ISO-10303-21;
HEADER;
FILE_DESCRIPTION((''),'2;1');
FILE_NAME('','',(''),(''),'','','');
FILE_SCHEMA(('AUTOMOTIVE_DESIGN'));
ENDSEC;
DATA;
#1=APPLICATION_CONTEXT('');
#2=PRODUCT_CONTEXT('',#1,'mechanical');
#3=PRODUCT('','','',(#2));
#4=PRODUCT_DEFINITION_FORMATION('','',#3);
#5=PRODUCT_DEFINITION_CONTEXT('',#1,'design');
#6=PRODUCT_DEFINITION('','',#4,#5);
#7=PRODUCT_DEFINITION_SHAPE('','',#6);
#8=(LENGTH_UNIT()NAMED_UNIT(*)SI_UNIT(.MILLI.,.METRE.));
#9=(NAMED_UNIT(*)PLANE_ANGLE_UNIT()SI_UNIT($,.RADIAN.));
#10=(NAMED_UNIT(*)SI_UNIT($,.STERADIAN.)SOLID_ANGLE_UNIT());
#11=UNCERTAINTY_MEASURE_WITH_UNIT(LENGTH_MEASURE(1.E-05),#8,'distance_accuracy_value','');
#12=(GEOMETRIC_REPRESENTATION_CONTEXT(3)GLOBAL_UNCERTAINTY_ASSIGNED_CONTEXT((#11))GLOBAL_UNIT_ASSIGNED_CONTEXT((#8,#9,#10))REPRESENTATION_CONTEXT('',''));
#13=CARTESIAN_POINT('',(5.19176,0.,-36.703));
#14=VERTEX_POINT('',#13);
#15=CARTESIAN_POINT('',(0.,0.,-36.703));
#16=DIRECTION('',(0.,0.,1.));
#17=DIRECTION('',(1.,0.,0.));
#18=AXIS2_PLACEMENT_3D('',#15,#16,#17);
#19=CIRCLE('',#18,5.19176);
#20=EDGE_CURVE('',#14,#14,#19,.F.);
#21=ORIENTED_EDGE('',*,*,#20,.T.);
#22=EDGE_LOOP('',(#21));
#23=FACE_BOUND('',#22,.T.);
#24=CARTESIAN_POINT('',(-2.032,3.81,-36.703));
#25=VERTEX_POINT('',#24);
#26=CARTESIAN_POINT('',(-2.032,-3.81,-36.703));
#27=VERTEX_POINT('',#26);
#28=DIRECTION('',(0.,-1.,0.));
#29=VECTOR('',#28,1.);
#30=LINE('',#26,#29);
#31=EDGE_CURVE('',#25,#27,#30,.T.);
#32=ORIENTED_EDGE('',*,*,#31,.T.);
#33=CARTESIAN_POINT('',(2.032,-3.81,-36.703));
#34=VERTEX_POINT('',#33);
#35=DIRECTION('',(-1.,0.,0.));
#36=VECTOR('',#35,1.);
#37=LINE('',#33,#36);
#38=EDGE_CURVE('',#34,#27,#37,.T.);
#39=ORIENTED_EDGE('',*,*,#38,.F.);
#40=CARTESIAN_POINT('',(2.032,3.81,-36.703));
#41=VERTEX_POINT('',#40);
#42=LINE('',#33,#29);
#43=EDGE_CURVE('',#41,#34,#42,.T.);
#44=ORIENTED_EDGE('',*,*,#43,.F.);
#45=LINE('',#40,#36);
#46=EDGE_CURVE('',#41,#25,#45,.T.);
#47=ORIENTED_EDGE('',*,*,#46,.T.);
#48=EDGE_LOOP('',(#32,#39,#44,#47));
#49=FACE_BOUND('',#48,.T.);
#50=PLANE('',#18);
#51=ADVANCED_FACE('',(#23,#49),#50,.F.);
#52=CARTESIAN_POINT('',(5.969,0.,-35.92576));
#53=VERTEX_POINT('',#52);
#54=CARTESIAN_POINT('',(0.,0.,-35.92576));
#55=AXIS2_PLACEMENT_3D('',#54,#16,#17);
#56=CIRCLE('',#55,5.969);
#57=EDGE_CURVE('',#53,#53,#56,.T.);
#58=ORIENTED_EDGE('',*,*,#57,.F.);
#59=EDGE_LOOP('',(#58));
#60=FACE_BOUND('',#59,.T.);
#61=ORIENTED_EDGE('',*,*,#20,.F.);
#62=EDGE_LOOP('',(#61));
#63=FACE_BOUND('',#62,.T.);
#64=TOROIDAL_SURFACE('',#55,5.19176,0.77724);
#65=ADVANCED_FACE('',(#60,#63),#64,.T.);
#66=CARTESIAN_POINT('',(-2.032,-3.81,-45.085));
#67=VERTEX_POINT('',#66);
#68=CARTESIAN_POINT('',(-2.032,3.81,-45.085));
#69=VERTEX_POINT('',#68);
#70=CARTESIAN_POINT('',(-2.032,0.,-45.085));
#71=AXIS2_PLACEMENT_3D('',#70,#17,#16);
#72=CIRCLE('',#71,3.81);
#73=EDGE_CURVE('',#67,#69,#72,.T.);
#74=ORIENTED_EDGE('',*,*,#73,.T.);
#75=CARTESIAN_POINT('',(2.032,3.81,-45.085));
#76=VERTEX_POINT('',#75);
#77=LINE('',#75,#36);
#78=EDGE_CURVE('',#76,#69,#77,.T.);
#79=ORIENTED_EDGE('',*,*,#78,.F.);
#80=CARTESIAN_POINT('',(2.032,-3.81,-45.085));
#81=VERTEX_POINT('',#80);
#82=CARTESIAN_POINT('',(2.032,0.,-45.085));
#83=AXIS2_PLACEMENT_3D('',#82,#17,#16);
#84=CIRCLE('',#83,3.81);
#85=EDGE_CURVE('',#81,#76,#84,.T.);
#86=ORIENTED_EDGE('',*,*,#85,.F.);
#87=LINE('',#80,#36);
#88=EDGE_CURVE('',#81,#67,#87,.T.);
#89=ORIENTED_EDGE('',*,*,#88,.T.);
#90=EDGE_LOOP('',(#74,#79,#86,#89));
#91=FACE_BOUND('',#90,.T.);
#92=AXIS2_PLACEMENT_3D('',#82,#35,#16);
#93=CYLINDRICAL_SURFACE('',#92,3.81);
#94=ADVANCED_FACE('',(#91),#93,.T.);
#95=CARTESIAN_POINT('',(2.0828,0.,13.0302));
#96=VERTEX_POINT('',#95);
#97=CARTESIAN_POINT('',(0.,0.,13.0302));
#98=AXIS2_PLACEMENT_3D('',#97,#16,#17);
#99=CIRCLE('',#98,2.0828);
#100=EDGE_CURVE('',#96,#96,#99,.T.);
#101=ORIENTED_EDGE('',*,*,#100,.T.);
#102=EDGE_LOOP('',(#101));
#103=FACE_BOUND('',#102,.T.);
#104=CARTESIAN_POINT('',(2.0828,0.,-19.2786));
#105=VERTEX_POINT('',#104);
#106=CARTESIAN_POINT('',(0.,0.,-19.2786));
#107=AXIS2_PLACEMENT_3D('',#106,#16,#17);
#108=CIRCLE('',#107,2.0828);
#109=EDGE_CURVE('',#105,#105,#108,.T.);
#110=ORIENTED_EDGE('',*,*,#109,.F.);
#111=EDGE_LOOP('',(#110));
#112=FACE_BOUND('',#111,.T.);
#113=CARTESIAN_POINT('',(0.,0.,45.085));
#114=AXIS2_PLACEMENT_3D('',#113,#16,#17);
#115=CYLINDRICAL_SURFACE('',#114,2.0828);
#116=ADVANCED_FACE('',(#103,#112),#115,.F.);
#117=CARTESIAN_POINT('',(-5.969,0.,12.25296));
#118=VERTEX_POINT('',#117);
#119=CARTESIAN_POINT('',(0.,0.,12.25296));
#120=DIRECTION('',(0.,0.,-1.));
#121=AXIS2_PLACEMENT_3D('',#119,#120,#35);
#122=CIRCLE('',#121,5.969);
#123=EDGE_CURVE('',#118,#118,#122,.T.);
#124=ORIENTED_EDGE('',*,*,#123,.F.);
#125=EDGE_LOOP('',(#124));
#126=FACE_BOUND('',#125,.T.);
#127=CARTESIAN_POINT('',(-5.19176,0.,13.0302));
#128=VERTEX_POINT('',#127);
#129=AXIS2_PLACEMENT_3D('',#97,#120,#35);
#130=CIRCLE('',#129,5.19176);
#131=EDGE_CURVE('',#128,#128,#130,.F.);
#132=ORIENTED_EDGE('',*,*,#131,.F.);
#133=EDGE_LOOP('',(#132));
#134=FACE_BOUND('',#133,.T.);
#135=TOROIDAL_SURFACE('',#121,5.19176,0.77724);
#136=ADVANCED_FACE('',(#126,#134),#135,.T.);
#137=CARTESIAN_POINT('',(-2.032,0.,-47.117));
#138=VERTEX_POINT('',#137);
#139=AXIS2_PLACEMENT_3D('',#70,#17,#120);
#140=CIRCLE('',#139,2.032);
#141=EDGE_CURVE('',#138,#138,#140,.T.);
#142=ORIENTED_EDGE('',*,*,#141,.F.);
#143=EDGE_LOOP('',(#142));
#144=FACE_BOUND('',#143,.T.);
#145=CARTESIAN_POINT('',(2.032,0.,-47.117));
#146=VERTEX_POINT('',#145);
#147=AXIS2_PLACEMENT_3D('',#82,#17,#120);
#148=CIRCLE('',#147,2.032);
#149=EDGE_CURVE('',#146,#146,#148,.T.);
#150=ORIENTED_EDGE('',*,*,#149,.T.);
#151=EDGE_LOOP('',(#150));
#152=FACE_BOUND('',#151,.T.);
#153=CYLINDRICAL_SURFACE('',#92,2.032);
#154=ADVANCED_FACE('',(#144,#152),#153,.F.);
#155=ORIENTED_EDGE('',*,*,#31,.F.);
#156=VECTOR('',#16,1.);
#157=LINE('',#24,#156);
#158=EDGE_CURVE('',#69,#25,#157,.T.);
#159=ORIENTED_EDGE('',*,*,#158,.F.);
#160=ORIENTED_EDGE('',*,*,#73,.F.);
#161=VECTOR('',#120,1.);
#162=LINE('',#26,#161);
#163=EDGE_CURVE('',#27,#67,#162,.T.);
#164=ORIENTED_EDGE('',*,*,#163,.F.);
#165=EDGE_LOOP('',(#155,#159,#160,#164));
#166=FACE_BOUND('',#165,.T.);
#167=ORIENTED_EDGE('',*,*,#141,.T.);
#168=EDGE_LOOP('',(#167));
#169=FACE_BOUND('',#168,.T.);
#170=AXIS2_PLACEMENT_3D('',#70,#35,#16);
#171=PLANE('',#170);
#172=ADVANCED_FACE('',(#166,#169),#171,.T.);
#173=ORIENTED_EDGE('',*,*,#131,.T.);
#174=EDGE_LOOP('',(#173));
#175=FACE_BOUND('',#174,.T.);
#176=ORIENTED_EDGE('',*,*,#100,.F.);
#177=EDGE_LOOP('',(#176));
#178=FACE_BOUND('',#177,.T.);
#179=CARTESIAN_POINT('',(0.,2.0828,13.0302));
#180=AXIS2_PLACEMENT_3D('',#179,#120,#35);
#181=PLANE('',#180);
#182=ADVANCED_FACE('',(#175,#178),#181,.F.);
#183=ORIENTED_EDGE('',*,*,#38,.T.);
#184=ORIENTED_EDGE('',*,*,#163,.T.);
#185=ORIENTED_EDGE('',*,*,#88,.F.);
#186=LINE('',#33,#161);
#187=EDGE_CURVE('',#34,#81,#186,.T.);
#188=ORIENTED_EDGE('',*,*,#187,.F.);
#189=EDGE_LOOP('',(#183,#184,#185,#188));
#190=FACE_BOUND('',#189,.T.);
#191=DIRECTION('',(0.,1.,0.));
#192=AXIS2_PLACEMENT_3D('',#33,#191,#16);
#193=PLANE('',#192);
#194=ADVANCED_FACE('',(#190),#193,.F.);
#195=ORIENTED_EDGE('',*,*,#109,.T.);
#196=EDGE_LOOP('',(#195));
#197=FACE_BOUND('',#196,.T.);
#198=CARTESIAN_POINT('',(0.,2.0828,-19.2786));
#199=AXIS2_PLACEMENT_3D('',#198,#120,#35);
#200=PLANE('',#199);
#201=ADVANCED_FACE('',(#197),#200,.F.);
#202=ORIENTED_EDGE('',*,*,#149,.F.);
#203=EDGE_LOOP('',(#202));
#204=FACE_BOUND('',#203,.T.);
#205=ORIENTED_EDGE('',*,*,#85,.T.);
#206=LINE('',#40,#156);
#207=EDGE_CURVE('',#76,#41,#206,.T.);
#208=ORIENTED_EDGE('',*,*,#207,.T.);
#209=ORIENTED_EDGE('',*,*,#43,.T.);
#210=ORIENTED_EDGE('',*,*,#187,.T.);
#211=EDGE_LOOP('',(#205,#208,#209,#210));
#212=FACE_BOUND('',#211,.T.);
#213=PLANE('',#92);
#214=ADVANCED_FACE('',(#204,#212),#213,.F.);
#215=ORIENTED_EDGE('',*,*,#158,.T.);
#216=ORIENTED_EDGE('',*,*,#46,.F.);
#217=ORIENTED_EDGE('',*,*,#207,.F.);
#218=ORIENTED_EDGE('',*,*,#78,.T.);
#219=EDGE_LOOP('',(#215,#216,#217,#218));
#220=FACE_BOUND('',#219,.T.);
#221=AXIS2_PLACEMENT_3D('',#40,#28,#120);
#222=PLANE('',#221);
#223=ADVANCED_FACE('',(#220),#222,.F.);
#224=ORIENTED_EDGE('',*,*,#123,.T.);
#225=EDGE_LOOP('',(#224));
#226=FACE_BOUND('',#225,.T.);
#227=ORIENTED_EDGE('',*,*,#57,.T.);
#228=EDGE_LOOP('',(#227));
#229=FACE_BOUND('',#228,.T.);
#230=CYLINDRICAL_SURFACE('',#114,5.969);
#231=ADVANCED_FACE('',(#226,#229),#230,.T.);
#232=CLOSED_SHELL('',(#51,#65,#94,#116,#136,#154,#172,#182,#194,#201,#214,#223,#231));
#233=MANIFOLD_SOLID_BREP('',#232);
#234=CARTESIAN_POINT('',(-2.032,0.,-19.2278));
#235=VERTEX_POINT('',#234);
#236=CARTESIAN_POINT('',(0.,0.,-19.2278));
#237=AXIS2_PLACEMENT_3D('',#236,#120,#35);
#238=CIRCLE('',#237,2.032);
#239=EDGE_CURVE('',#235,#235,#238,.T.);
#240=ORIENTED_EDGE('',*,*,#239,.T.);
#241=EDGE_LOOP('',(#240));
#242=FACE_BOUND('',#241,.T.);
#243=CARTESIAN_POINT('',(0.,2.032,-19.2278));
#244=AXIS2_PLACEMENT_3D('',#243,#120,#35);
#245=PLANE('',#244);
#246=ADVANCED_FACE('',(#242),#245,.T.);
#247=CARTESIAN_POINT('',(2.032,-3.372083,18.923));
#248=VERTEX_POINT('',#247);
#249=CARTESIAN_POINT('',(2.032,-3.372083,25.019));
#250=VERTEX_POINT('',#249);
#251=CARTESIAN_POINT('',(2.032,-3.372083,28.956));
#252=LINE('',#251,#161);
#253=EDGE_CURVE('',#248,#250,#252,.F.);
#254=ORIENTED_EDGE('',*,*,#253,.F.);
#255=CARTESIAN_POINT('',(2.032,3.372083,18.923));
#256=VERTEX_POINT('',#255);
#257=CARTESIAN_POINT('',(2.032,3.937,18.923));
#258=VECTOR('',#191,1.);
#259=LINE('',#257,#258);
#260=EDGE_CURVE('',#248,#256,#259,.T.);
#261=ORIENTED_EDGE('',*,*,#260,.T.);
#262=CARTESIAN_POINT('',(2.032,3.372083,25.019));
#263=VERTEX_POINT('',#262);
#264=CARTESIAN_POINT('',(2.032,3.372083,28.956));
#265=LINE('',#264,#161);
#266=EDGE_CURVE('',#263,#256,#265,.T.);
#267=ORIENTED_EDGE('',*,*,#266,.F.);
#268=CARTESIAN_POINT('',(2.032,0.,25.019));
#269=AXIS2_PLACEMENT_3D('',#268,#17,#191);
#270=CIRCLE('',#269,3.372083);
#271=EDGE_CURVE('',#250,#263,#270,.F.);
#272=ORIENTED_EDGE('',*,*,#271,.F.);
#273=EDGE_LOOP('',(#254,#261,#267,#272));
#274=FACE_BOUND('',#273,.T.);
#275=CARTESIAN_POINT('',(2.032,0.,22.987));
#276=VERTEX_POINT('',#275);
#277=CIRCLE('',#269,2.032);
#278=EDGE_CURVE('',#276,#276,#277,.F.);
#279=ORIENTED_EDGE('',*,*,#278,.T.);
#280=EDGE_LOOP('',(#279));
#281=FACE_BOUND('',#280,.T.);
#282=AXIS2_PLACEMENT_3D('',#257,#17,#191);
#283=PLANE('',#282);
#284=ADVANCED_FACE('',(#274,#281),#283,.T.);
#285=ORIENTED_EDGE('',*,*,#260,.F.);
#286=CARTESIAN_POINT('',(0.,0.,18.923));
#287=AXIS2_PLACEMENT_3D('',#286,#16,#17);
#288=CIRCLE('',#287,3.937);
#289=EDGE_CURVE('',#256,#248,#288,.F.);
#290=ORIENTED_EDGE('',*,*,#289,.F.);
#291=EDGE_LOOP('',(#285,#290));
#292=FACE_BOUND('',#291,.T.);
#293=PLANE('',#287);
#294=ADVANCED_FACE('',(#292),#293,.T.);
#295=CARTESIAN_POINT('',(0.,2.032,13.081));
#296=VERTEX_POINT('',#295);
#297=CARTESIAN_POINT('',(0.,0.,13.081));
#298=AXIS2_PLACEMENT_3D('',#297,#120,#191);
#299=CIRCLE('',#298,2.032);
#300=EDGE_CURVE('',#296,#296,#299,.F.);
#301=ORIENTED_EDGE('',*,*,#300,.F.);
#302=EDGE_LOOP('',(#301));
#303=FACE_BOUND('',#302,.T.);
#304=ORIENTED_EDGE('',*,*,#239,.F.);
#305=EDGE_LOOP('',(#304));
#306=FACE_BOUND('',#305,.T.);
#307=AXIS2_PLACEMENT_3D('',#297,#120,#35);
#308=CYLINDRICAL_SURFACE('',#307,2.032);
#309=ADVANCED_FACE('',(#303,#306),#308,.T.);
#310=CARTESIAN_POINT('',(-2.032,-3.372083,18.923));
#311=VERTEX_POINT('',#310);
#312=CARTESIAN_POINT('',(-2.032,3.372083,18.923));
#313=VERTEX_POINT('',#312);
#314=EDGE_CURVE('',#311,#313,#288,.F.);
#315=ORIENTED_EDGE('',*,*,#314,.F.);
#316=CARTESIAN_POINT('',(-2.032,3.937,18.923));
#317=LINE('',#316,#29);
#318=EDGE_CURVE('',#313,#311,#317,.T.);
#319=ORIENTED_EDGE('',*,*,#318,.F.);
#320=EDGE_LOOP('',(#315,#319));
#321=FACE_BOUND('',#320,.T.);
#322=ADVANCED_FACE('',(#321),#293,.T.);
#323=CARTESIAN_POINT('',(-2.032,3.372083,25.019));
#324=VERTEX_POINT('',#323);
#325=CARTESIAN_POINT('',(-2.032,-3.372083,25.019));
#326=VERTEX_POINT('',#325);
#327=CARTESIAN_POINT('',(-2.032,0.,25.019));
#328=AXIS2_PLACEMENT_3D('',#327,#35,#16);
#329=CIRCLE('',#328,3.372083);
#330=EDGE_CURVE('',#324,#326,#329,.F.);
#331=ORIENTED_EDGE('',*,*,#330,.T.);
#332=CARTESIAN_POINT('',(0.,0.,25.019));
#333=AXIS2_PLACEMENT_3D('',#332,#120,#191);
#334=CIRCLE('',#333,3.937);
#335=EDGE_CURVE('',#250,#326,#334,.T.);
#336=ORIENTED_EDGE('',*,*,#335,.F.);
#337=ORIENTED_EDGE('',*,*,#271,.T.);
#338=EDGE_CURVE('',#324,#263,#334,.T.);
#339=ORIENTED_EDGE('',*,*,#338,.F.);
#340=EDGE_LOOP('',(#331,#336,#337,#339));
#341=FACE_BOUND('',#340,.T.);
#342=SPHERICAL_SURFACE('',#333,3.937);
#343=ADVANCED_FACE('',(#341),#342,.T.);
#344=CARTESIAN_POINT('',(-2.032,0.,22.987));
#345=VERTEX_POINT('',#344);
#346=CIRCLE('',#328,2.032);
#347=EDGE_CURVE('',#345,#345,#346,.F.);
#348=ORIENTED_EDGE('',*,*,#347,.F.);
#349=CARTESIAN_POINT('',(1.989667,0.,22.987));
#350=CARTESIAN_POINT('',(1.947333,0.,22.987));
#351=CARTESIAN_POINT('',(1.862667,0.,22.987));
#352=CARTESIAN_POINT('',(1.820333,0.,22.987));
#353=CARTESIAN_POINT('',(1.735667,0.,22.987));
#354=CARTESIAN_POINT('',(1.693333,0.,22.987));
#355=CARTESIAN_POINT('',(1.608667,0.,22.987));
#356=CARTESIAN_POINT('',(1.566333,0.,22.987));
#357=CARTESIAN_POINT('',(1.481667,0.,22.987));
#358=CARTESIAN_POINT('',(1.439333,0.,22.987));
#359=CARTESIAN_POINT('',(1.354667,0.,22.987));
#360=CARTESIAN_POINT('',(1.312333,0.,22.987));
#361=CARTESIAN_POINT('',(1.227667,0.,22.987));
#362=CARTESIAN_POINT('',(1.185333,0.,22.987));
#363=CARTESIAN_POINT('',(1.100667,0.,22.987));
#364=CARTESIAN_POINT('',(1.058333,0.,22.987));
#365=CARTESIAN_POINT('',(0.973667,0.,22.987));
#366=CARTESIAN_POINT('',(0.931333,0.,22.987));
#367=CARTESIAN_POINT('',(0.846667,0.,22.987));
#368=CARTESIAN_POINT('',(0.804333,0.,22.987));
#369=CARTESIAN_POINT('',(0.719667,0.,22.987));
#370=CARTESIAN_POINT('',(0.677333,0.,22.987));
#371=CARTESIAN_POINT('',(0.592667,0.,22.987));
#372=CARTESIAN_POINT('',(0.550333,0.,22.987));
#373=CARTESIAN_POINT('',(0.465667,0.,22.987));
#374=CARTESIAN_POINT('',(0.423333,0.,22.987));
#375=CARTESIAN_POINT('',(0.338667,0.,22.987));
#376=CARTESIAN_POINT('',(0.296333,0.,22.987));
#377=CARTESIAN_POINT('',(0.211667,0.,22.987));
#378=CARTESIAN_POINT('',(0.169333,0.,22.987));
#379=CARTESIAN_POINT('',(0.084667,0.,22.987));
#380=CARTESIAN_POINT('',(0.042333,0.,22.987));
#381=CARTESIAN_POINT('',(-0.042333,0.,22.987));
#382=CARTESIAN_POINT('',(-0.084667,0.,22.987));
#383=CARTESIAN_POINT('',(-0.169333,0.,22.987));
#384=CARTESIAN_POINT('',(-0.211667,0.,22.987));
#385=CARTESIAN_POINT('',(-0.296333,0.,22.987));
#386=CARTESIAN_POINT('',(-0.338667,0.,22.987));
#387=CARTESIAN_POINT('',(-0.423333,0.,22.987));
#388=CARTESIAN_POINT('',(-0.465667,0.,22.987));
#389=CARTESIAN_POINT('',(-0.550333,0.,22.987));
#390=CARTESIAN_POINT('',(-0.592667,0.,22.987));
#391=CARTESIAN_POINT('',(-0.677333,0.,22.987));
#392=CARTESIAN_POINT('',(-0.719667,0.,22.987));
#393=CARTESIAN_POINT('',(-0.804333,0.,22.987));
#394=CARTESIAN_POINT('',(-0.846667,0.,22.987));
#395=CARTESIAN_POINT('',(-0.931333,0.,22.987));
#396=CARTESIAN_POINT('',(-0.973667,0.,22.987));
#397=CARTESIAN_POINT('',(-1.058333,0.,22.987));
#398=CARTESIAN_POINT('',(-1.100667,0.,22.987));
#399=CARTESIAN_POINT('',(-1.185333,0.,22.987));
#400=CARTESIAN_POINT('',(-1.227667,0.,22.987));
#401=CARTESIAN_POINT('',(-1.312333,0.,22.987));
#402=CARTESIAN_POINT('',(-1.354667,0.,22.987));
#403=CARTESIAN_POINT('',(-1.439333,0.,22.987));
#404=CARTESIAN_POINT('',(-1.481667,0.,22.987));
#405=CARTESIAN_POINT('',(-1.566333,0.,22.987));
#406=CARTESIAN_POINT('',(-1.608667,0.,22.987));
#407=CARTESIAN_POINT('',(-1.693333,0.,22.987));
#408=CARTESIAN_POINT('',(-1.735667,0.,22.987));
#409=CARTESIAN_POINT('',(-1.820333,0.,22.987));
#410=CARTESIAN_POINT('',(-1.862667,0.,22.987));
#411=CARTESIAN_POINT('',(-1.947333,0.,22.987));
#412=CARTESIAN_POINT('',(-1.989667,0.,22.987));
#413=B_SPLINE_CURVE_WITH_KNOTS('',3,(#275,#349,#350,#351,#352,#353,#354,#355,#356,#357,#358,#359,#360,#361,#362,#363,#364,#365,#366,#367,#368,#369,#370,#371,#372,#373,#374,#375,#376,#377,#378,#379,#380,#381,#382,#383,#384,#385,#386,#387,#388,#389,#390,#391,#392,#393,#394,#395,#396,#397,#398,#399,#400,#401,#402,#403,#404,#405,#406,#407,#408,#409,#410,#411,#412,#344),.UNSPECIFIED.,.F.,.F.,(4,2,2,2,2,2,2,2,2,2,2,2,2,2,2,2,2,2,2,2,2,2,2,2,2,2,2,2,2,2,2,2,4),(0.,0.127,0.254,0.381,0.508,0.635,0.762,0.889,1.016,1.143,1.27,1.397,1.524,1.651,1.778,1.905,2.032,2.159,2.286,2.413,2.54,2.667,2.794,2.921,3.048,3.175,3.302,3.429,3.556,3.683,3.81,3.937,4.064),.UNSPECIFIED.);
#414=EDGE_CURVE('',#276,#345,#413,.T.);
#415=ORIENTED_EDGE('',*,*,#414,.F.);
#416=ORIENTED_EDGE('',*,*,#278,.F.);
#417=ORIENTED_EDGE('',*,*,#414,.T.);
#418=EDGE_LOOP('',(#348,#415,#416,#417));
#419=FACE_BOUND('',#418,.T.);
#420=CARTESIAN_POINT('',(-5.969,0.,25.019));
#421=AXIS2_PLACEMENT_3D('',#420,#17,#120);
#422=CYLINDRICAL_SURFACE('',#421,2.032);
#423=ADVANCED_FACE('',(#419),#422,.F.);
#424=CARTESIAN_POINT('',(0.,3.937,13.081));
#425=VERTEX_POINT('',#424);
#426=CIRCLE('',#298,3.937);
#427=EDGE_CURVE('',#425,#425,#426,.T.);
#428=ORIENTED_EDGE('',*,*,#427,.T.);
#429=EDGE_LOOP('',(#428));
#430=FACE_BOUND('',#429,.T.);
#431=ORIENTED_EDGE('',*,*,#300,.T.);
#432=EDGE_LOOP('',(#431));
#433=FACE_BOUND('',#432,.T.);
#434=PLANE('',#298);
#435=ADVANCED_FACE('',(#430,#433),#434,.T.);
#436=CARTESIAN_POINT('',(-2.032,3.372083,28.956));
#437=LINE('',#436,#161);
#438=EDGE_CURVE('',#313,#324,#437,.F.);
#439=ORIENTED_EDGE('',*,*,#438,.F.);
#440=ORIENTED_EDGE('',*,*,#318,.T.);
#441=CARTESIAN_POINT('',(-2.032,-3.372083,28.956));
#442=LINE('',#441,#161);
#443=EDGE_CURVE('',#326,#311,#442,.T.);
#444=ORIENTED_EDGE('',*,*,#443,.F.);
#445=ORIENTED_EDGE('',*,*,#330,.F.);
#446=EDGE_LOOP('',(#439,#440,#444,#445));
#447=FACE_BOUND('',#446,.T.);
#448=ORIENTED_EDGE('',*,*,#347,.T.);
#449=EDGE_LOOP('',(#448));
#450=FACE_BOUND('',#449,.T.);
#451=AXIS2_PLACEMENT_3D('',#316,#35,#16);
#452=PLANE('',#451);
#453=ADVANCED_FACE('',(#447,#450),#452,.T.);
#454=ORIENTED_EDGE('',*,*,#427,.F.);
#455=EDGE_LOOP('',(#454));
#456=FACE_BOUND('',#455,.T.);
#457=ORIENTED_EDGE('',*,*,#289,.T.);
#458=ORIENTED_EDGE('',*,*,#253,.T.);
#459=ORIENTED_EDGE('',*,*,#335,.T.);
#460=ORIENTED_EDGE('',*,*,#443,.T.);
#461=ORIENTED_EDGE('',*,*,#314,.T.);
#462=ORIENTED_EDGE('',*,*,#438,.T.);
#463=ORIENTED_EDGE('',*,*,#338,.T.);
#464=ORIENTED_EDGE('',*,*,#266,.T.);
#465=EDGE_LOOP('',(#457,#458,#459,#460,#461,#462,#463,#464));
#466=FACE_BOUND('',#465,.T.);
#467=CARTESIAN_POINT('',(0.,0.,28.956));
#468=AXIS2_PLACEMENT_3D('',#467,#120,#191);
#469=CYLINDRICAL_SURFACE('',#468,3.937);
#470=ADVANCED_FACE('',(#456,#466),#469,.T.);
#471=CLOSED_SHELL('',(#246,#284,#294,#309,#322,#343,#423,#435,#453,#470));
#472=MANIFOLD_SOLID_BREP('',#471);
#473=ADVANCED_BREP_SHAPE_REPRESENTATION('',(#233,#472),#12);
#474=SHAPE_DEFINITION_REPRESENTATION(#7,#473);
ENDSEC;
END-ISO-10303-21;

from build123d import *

# Parameters (mm, degrees)
FILLET2_R               = 0.77724
SKETCH2_R               = 2.032
EXTRUDE2_DEPTH          = 2.032
SKETCH9_W               = 32.3088
SKETCH9_H               = 2.032
CUT_EXTRUDE1_DEPTH      = 50.743486078
CUT_EXTRUDE1_DEPTH_BACK = 50.743486078
SKETCH12_R              = 2.032
CUT_EXTRUDE2_DEPTH      = 95.358350575
CUT_EXTRUDE2_DEPTH_BACK = 6.096
SKETCH13_OUTSIDE_W      = 33.81
SKETCH13_OUTSIDE_H      = 33.81
SKETCH13_OUTSIDE_W_2    = 4.064
SKETCH13_OUTSIDE_H_2    = 7.874
LPATTERN1_COUNT         = 2
LPATTERN1_PITCH         = 20.066


with BuildPart() as part:
    # Sketch1 → Revolve1 (revolve)
    with BuildSketch(Plane(origin=(0, 0, 0), x_dir=(0, 0, -1), z_dir=(1, 0, 0)), mode=Mode.PRIVATE) as revolve1_sk:
        Polygon((36.703, 0), (36.703, 5.969), (-13.0302, 5.969), (-13.0302, 2.0828), (7.0866, 2.0828), (19.2786, 2.0828), (19.2786, 0), align=None)
    revolve(revolve1_sk.sketch.rotate(Axis((0, 0, 45.085), (0, 0, -1)), 90), axis=Axis((0, 0, 45.085), (0, 0, -1)))

    # Fillet2
    fillet2_edges = [part.edges().sort_by_distance(p)[0] for p in [
        (-5.969, 0, 13.0302),
        (-5.969, 0, -36.703),
    ]]
    fillet(fillet2_edges, radius=FILLET2_R)

    # Sketch2 → Extrude2 (add, symmetric)
    with BuildSketch(Plane(origin=(0, 0, 0), x_dir=(0, 0, -1), z_dir=(1, 0, 0))):
        with BuildLine():
            Line((36.703, 3.81), (45.085, 3.81))
            ThreePointArc((45.085, 3.81), (48.895, 0), (45.085, -3.81))
            Line((45.085, -3.81), (36.703, -3.81))
            Line((36.703, -3.81), (36.703, 3.81))
        make_face()
        with Locations((45.085, 0)):
            Circle(SKETCH2_R, mode=Mode.SUBTRACT)
    extrude(amount=EXTRUDE2_DEPTH, both=True)


with BuildPart() as body_2:
    # Sketch9 → Revolve5 (revolve)
    with BuildSketch(Plane(origin=(0, 0, 0), x_dir=(0, 0, -1), z_dir=(1, 0, 0)), mode=Mode.PRIVATE) as revolve5_sk:
        with Locations((-16.9926, 1.016)):
            Rectangle(SKETCH9_W, SKETCH9_H)
    revolve(revolve5_sk.sketch.rotate(Axis((0, 0, 33.147), (0, 0, 1)), 90), axis=Axis((0, 0, 33.147), (0, 0, 1)))

    # Sketch11 → Revolve6 (revolve)
    with BuildSketch(Plane(origin=(0, 0, 0), x_dir=(0, 0, -1), z_dir=(1, 0, 0))):
        with BuildLine():
            Line((-33.147, 0), (-33.147, 3.937))
            Line((-33.147, 3.937), (-45.085, 3.937))
            ThreePointArc((-45.085, 3.937), (-47.868879398, 2.783879398), (-49.022, 0))
            Line((-49.022, 0), (-33.147, 0))
        make_face()
    revolve(axis=Axis((0, 0, 49.022), (0, 0, 1)))

    # Sketch12 → Cut-Extrude1 (cut, two sides: drawn at the far end of the back side and taken through both)
    with BuildSketch(Plane(origin=(0, 0, 0), x_dir=(0, 0, -1), z_dir=(1, 0, 0)).offset(-CUT_EXTRUDE1_DEPTH_BACK)):
        with Locations(Location((-45.085, 0, 0), (0, 0, 90))):
            Circle(SKETCH12_R)
    extrude(amount=CUT_EXTRUDE1_DEPTH + CUT_EXTRUDE1_DEPTH_BACK, mode=Mode.SUBTRACT)

    # Sketch13 outside → Cut-Extrude2 (cut, two sides: drawn at the far end of the back side and taken through both)
    with BuildSketch(Plane.XY.offset(45.085).offset(-CUT_EXTRUDE2_DEPTH_BACK)):
        Rectangle(SKETCH13_OUTSIDE_W, SKETCH13_OUTSIDE_H)
        Rectangle(SKETCH13_OUTSIDE_W_2, SKETCH13_OUTSIDE_H_2, mode=Mode.SUBTRACT)
    extrude(amount=CUT_EXTRUDE2_DEPTH + CUT_EXTRUDE2_DEPTH_BACK, mode=Mode.SUBTRACT)


with BuildPart() as lpattern1_1:
    # LPattern1: pattern copy
    add(body_2.part.moved(Location(Vector(0, 0, -1) * (1 * LPATTERN1_PITCH))))


solid = Compound([part.part, lpattern1_1.part])
